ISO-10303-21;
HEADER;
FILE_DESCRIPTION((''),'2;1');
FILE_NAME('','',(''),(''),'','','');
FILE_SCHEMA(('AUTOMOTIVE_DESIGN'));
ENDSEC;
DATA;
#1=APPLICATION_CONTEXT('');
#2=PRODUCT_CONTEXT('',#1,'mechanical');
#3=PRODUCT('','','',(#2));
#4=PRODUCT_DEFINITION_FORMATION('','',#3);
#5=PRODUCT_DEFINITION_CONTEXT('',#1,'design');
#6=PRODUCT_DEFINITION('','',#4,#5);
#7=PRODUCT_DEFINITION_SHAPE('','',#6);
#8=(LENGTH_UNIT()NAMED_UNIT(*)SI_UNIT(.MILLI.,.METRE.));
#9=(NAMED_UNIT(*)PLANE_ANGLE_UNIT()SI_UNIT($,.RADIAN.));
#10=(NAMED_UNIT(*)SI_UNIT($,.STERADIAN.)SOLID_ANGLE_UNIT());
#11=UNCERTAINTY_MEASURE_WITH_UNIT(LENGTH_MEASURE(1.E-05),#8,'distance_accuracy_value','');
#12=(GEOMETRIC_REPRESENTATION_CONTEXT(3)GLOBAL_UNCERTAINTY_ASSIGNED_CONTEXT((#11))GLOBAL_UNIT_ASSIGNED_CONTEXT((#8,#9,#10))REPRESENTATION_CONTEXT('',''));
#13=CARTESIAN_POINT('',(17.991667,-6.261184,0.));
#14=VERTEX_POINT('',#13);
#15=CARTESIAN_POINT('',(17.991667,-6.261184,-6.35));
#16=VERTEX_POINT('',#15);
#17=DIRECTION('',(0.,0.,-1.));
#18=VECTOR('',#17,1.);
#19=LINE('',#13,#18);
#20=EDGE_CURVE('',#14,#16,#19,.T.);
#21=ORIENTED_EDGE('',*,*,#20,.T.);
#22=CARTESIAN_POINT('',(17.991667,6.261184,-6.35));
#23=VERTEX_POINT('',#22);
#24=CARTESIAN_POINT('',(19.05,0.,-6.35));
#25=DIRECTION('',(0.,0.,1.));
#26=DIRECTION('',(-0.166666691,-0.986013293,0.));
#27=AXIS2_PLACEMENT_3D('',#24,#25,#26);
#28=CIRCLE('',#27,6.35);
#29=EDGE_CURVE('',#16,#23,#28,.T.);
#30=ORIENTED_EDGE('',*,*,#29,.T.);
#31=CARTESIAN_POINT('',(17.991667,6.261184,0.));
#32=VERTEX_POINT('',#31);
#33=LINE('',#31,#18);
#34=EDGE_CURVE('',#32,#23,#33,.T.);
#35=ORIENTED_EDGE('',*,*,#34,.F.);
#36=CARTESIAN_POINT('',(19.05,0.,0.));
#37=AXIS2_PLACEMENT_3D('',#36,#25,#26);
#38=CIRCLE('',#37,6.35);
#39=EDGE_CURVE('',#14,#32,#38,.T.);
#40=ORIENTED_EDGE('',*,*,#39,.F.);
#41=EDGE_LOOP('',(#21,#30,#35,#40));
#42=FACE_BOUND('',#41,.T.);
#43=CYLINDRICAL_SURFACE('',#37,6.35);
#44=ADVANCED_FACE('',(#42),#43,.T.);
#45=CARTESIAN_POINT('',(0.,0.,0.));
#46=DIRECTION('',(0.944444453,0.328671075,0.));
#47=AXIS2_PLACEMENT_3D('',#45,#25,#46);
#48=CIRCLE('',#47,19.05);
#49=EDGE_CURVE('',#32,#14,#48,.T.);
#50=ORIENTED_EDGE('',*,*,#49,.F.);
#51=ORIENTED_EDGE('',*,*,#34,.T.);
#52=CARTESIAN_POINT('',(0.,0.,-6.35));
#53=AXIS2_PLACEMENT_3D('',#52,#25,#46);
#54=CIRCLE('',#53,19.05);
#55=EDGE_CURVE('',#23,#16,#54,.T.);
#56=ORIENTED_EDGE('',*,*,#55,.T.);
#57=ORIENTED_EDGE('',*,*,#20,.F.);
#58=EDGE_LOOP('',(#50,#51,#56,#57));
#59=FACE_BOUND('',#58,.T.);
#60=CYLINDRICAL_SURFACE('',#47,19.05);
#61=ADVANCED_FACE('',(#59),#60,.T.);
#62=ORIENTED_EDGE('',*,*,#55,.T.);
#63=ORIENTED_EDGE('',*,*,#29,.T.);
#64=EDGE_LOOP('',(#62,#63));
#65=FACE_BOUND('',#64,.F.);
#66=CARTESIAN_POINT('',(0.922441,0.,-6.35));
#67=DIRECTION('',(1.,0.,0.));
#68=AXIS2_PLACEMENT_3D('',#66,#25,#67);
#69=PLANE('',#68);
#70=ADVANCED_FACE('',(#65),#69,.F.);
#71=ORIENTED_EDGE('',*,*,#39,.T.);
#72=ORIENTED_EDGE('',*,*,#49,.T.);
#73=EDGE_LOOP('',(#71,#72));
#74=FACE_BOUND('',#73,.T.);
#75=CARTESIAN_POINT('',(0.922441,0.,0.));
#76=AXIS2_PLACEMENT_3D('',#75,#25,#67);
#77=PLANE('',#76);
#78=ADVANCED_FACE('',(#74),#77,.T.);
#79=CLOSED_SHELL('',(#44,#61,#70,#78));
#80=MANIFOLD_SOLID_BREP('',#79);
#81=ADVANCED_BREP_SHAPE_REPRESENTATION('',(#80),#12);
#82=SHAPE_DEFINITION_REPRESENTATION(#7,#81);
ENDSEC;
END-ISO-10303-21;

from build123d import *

# Parameters (mm, degrees)
F1_DEPTH = 6.35


with BuildPart() as f1:
    # F0 (on Top) → F1 (new body)
    with BuildSketch(Plane.XY):
        with BuildLine():
            ThreePointArc((17.991667, -6.261184), (18.783553, -3.175), (19.05, 0))
            ThreePointArc((19.05, 0), (18.783553, 3.175), (17.991667, 6.261184))
            ThreePointArc((17.991667, 6.261184), (-19.05, 0), (17.991667, -6.261184))
        make_face()
        with BuildLine():
            ThreePointArc((17.991667, 6.261184), (18.783553, 3.175), (19.05, 0))
            ThreePointArc((19.05, 0), (18.783553, -3.175), (17.991667, -6.261184))
            ThreePointArc((17.991667, -6.261184), (25.4, 0), (17.991667, 6.261184))
        make_face()
    extrude(amount=-F1_DEPTH)


solid = f1.part
